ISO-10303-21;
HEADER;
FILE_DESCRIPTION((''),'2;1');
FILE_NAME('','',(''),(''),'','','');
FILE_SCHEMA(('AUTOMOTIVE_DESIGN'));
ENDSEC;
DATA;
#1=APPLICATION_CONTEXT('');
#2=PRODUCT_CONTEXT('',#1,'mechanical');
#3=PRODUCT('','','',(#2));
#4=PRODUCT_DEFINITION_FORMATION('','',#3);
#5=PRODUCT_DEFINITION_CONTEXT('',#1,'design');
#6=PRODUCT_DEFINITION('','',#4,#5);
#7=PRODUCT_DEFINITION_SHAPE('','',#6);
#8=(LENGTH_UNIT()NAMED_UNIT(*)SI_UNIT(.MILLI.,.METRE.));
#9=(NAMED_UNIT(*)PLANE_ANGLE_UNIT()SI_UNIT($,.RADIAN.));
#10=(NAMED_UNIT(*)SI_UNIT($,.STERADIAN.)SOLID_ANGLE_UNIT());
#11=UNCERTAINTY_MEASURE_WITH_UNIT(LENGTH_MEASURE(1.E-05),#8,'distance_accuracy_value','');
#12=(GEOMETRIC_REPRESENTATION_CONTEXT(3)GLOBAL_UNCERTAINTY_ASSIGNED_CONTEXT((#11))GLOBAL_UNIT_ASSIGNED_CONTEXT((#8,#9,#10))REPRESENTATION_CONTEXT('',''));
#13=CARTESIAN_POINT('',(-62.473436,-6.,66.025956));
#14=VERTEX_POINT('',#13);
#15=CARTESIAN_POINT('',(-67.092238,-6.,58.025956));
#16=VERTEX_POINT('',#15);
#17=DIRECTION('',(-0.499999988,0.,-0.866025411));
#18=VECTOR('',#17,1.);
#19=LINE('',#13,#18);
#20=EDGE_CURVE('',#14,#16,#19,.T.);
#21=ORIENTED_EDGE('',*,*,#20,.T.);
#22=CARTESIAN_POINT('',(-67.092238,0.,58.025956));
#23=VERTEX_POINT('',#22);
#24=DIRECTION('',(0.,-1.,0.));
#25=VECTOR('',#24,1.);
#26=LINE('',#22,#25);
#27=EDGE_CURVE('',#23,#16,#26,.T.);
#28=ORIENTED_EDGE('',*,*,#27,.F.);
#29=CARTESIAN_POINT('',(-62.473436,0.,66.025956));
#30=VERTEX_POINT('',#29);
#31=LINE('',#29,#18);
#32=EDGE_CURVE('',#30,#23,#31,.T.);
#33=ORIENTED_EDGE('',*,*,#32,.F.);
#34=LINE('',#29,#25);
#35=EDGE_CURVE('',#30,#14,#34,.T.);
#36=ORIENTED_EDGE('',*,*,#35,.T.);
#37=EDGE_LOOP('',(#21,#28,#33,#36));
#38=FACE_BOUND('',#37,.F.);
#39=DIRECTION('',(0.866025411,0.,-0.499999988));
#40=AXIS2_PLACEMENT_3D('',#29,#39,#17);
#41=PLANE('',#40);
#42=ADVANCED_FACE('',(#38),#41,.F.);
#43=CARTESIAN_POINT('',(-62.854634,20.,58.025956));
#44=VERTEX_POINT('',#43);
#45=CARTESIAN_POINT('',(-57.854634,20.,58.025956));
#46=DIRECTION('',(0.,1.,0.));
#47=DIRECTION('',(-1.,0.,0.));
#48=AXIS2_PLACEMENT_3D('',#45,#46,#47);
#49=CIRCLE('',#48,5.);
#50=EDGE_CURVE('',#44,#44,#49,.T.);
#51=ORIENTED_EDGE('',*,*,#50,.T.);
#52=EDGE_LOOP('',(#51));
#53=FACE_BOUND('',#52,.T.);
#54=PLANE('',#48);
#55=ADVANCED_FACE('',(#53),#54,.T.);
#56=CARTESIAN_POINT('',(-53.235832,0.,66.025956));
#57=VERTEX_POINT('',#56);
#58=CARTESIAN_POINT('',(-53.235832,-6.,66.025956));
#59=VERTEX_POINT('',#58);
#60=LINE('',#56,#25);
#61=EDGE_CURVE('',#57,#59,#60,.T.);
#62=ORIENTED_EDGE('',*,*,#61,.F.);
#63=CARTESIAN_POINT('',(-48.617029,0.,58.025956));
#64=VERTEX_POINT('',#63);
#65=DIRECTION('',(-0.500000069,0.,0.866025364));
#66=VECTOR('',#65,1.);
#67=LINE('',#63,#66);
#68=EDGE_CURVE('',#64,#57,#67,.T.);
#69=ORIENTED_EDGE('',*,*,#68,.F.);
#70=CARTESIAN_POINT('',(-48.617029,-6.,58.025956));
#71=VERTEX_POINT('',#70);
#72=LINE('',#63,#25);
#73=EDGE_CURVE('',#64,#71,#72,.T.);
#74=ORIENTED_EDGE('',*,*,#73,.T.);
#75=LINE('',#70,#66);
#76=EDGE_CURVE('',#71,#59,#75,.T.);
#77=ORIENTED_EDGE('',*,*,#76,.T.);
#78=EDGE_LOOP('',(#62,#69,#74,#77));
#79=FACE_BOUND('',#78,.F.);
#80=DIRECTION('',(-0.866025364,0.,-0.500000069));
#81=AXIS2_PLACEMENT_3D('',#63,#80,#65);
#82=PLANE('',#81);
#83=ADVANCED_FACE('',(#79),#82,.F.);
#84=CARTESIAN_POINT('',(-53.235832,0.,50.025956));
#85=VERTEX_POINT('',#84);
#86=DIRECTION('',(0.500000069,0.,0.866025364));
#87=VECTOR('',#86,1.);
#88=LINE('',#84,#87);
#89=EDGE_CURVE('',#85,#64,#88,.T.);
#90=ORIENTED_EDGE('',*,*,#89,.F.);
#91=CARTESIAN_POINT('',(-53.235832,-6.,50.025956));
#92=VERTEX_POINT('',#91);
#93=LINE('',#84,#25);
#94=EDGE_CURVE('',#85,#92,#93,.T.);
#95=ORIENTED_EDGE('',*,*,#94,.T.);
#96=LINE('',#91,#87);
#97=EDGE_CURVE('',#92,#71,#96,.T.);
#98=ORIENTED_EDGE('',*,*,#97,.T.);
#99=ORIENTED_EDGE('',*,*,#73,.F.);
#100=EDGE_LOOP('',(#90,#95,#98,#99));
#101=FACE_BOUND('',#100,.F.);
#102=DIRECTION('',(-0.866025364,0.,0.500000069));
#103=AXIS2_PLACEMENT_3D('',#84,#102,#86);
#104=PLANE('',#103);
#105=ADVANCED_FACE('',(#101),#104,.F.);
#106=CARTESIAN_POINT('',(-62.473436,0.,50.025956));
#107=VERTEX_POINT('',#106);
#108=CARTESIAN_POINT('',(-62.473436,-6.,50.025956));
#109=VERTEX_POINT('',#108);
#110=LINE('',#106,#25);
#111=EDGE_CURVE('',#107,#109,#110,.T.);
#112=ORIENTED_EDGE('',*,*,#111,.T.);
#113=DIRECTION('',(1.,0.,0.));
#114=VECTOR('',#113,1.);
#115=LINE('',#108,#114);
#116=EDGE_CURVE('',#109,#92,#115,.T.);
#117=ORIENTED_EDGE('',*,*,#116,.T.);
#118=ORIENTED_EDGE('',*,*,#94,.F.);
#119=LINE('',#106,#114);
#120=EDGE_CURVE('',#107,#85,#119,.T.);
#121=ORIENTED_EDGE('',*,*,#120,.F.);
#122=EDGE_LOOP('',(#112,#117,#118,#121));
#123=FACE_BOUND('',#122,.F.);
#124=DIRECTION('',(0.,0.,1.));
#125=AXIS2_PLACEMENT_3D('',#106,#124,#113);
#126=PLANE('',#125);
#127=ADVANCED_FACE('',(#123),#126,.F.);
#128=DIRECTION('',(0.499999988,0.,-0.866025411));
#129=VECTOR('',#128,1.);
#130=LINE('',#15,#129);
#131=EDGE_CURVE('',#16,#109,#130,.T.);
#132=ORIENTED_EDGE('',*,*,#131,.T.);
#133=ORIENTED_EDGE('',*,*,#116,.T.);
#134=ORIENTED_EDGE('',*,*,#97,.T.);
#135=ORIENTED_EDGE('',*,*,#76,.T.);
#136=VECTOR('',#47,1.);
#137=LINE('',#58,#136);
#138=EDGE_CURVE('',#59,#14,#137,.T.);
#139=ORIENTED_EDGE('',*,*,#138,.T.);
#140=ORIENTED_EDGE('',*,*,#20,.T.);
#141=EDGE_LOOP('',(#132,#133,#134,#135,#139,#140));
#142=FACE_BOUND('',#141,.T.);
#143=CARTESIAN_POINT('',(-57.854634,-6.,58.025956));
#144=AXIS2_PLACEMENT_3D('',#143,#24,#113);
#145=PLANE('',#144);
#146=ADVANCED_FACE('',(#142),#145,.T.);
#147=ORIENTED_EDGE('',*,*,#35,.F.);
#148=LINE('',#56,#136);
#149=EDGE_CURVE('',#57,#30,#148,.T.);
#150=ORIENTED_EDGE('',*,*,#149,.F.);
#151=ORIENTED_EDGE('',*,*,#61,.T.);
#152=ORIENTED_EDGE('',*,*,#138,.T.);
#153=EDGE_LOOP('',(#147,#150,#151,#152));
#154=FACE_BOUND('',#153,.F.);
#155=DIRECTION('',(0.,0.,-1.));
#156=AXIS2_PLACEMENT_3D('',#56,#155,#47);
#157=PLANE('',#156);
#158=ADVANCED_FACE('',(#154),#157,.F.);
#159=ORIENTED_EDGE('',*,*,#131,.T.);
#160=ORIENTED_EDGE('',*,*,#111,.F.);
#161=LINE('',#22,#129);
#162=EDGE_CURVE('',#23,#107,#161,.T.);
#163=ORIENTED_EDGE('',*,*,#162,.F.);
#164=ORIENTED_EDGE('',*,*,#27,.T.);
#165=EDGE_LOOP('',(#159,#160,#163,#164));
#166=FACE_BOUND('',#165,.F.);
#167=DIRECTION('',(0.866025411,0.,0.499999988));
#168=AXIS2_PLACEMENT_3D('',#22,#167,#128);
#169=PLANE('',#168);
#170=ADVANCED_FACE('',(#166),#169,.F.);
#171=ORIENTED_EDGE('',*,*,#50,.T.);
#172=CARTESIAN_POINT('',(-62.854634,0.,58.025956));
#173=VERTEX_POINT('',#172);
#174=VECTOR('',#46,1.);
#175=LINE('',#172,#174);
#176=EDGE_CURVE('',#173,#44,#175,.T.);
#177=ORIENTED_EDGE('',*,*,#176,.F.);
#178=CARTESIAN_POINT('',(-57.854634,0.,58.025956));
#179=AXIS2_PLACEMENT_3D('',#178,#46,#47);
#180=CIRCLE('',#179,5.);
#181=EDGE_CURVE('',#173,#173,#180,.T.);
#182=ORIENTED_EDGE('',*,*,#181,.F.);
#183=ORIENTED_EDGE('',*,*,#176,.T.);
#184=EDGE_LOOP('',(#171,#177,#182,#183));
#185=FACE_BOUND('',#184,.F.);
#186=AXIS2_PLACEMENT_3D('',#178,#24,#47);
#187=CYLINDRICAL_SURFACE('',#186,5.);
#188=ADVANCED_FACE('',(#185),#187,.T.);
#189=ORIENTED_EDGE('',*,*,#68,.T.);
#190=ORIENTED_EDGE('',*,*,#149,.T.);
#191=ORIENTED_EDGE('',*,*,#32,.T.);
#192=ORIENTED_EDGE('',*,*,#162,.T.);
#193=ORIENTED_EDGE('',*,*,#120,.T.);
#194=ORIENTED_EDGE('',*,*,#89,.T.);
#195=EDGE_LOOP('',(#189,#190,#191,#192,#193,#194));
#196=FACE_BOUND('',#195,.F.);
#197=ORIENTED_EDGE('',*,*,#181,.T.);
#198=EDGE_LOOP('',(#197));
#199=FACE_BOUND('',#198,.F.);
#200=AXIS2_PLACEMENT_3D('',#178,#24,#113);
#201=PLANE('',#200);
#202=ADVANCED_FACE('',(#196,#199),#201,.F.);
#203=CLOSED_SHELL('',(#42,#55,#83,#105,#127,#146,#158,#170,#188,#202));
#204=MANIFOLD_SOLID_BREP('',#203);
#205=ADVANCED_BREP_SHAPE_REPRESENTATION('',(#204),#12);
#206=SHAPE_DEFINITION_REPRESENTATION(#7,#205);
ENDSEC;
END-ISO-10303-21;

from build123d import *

# Parameters (mm, degrees)
F1_DEPTH = 6
F2_R     = 5
F3_DEPTH = 20


with BuildPart() as f1:
    # F0 (on Front) → F1 (new body)
    with BuildSketch(Plane.XZ):
        Polygon((-53.235832, 66.025956), (-62.473436, 66.025956), (-67.092238, 58.025956), (-62.473436, 50.025956), (-53.235832, 50.025956), (-48.617029, 58.025956), align=None)
    extrude(amount=F1_DEPTH)

    # F2 (on face) → F3 (join)
    with BuildSketch(Plane(origin=(0, 0, 0), x_dir=(-1, 0, 0), z_dir=(0, 1, 0))):
        with Locations((57.854634, 58.025956)):
            Circle(F2_R)
    extrude(amount=F3_DEPTH)


solid = f1.part
